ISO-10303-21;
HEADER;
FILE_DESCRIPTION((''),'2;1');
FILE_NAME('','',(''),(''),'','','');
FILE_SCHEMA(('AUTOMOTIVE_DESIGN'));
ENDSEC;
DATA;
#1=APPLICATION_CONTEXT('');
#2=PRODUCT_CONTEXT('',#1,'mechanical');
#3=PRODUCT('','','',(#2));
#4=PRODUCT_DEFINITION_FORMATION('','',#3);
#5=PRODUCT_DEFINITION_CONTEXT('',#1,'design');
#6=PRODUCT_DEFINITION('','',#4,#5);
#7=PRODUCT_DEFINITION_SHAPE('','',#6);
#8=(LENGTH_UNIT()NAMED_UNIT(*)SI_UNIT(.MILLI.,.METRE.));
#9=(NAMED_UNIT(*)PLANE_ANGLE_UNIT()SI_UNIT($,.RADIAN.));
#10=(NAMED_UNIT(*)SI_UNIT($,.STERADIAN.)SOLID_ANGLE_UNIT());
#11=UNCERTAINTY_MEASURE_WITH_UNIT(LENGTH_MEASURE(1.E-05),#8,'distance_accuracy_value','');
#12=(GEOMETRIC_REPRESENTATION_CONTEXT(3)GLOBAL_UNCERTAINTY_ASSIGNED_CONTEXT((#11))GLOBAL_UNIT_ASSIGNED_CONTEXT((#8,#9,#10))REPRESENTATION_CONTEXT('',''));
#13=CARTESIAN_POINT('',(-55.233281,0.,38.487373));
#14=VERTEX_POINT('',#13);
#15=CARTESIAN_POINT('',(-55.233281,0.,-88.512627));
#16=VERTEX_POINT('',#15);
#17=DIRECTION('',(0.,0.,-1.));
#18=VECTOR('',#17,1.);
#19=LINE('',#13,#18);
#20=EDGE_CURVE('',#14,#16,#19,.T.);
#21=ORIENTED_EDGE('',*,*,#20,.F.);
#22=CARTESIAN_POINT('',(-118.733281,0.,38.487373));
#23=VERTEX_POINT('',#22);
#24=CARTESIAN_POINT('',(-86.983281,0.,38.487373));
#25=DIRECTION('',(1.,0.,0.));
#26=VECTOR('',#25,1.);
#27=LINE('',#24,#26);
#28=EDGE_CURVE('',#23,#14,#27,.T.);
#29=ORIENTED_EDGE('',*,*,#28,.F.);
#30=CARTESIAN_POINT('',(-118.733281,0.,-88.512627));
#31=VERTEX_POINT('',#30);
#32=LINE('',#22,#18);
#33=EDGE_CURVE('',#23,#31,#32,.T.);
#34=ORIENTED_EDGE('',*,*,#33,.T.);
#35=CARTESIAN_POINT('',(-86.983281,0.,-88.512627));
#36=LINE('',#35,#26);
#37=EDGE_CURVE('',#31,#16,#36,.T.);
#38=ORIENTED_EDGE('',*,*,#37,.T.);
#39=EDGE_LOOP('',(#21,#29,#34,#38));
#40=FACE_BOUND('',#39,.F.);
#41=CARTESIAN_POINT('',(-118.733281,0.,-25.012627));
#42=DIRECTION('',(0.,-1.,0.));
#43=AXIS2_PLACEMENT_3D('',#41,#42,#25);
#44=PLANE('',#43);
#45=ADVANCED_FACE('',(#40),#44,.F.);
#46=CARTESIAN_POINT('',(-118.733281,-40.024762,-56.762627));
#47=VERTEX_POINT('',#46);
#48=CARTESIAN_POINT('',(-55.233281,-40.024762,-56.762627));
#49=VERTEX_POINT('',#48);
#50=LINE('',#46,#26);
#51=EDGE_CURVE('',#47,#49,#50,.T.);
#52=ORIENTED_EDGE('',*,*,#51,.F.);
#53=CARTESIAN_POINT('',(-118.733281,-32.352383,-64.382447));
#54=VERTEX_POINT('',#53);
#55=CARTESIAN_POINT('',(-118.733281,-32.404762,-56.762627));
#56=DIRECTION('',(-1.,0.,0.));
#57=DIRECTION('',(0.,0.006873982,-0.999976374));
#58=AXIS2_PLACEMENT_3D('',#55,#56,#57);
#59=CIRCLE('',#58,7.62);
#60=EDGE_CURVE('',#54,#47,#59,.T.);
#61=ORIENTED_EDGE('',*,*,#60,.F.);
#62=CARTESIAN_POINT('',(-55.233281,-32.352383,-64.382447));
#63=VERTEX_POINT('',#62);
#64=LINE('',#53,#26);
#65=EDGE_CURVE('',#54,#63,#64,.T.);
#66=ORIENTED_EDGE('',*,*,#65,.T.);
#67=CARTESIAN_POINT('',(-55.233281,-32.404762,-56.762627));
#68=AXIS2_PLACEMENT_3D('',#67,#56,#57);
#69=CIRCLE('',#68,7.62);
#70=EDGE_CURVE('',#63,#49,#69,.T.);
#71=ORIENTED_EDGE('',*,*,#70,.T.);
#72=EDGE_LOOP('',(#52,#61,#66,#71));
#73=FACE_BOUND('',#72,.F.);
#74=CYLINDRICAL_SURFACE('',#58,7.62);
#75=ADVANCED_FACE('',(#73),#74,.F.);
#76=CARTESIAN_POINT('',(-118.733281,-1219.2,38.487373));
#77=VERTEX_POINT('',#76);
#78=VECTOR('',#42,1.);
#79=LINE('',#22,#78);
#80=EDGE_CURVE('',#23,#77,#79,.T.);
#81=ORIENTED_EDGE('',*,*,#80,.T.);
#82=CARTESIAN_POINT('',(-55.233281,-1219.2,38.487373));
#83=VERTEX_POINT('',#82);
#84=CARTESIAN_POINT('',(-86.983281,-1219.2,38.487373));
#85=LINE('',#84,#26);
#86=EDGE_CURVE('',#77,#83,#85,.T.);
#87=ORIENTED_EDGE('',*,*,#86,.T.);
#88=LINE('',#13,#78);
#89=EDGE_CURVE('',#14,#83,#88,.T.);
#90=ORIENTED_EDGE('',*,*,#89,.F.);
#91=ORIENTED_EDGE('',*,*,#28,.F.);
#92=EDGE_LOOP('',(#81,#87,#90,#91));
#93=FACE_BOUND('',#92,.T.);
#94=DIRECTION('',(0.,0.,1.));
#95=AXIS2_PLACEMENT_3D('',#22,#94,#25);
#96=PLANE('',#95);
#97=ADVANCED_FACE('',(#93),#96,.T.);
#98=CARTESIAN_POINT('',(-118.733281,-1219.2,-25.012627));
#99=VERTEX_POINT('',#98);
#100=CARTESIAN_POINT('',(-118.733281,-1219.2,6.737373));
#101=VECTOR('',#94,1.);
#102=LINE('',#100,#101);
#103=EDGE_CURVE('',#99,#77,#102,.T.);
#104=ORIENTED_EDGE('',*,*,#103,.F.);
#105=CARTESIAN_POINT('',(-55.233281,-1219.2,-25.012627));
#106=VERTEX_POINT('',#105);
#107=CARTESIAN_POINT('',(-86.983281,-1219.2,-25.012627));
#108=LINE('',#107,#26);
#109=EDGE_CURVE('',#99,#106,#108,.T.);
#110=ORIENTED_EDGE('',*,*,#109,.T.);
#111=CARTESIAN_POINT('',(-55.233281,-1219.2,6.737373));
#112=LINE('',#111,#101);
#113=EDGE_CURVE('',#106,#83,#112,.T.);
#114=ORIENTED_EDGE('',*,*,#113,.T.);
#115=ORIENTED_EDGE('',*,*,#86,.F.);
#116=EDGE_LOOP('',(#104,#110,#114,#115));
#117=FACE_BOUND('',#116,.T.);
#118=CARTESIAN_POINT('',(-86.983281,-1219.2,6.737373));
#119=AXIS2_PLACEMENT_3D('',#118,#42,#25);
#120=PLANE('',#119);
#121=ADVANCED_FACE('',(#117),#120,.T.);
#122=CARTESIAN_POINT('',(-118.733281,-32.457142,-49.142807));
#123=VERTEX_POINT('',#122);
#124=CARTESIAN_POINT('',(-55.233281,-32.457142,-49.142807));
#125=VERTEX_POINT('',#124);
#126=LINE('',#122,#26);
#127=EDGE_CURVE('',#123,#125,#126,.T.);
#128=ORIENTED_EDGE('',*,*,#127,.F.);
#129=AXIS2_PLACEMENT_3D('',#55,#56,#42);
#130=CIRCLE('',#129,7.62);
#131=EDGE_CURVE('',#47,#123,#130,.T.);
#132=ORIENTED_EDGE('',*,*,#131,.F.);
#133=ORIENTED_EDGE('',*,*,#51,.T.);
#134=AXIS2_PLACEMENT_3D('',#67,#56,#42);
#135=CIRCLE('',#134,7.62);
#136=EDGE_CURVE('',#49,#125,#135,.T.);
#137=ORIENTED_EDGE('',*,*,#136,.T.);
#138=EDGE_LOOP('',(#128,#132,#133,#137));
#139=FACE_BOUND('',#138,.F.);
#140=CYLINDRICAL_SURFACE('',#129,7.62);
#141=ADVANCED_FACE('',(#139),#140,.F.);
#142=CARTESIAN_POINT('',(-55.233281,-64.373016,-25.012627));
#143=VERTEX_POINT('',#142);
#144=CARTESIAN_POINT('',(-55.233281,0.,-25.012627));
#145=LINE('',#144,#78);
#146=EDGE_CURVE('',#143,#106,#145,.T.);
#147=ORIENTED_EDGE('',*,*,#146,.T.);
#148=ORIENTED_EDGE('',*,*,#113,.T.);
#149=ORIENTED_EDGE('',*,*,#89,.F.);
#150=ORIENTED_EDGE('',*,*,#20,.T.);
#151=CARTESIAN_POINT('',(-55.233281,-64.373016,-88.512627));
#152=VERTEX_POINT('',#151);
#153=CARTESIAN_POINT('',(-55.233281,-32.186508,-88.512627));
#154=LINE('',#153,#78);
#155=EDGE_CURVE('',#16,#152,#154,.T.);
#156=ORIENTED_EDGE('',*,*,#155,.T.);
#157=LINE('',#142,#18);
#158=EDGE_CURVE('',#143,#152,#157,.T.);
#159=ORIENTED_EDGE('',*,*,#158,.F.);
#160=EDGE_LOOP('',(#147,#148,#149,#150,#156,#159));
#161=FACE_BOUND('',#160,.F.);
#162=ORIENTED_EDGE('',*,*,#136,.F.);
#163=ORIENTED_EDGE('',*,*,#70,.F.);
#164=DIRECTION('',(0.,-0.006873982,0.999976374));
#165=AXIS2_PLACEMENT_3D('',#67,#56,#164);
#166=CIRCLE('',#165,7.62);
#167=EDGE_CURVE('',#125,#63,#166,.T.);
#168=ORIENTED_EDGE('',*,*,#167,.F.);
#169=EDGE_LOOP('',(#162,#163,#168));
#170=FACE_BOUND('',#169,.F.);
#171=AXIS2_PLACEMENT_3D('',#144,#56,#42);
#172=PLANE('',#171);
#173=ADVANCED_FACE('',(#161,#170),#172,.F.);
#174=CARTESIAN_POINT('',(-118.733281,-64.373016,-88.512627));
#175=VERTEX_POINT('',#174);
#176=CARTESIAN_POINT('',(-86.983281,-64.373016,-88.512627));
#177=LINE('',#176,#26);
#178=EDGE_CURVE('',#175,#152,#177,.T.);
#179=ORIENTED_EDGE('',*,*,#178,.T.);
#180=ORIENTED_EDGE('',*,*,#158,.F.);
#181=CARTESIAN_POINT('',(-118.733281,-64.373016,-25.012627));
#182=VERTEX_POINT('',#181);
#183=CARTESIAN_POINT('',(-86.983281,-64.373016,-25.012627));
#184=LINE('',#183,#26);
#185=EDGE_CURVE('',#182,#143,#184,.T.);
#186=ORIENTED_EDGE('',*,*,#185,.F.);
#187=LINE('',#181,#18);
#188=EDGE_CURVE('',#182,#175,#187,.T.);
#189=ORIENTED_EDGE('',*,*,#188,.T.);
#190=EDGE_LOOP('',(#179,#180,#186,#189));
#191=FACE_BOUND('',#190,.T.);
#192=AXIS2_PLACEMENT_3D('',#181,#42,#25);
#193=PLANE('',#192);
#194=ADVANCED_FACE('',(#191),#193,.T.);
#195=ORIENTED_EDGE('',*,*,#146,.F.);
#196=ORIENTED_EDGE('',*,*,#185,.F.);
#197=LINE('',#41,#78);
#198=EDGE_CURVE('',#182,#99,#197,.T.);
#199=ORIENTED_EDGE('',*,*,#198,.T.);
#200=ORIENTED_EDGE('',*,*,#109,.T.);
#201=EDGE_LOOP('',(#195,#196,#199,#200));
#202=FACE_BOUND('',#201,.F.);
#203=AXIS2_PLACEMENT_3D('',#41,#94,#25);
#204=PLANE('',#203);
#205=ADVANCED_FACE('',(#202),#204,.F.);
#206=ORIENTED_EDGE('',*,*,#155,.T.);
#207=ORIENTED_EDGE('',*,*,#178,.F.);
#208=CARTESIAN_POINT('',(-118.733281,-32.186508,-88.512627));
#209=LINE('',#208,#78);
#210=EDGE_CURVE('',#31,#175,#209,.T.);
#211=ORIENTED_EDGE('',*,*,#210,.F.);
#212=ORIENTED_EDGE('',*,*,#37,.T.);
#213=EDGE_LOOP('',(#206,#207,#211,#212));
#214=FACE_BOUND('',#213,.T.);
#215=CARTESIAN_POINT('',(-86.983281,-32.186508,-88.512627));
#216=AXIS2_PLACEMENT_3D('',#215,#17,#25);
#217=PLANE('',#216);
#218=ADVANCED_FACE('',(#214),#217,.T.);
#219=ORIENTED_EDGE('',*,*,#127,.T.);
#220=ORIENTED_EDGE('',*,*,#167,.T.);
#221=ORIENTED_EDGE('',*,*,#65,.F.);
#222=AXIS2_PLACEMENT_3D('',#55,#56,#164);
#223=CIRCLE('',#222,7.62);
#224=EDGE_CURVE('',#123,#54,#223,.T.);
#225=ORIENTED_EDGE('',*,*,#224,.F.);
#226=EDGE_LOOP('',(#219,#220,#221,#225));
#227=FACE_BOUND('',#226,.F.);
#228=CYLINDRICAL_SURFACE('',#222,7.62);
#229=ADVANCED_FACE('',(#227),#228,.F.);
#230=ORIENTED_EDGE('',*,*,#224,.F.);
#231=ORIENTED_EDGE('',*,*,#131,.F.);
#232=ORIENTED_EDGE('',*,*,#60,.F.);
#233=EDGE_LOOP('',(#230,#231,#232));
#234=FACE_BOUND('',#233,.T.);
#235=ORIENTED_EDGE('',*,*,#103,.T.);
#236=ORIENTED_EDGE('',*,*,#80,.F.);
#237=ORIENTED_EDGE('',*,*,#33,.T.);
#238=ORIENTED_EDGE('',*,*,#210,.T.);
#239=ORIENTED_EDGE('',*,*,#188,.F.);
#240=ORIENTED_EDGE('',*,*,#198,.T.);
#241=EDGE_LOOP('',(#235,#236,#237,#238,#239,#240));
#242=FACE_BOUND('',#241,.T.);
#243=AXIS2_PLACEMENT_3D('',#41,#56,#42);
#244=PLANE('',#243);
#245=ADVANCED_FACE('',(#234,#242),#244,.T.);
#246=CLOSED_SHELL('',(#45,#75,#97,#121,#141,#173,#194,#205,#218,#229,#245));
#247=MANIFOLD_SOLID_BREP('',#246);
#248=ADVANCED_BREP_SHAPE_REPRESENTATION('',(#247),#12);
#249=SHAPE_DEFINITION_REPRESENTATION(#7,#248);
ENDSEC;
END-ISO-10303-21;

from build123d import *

# Parameters (mm, degrees)
F0_W     = 63.5
F0_H     = 63.5
F1_DEPTH = 1219.2
F2_W     = 63.5
F2_H     = 64.3730163574
F3_DEPTH = 63.5
F5_DEPTH = 76.2


with BuildPart() as f1:
    # F0 (on Front) → F1 (new body)
    with BuildSketch(Plane.XZ):
        with Locations((-86.9832811058, 6.737372756)):
            Rectangle(F0_W, F0_H)
    extrude(amount=F1_DEPTH)

    # F2 (on face) → F3 (join)
    with BuildSketch(Plane(origin=(0, 0, -25.012627244), x_dir=(1, 0, 0), z_dir=(0, 0, -1))):
        with Locations((-86.9832811058, 32.1865081787)):
            Rectangle(F2_W, F2_H)
    extrude(amount=F3_DEPTH)

    # F4 (on face) → F5 (cut)
    with BuildSketch(Plane(origin=(-118.7332811058, 0, 0), x_dir=(0, -1, 0), z_dir=(-1, 0, 0))):
        with BuildLine():
            Line((32.457142012, -49.1428072748), (32.3523825242, -64.3824472132))
            ThreePointArc((32.3523825242, -64.3824472132), (37.7743649699, -62.1692682367), (40.0247622681, -56.762627244))
            ThreePointArc((40.0247622681, -56.762627244), (37.8114032608, -51.3930245421), (32.457142012, -49.1428072748))
        make_face()
        with BuildLine():
            ThreePointArc((32.457142012, -49.1428072748), (24.7849422989, -56.7102475001), (32.3523825242, -64.3824472132))
            Line((32.3523825242, -64.3824472132), (32.457142012, -49.1428072748))
        make_face()
    extrude(amount=-F5_DEPTH, mode=Mode.SUBTRACT)


solid = f1.part
